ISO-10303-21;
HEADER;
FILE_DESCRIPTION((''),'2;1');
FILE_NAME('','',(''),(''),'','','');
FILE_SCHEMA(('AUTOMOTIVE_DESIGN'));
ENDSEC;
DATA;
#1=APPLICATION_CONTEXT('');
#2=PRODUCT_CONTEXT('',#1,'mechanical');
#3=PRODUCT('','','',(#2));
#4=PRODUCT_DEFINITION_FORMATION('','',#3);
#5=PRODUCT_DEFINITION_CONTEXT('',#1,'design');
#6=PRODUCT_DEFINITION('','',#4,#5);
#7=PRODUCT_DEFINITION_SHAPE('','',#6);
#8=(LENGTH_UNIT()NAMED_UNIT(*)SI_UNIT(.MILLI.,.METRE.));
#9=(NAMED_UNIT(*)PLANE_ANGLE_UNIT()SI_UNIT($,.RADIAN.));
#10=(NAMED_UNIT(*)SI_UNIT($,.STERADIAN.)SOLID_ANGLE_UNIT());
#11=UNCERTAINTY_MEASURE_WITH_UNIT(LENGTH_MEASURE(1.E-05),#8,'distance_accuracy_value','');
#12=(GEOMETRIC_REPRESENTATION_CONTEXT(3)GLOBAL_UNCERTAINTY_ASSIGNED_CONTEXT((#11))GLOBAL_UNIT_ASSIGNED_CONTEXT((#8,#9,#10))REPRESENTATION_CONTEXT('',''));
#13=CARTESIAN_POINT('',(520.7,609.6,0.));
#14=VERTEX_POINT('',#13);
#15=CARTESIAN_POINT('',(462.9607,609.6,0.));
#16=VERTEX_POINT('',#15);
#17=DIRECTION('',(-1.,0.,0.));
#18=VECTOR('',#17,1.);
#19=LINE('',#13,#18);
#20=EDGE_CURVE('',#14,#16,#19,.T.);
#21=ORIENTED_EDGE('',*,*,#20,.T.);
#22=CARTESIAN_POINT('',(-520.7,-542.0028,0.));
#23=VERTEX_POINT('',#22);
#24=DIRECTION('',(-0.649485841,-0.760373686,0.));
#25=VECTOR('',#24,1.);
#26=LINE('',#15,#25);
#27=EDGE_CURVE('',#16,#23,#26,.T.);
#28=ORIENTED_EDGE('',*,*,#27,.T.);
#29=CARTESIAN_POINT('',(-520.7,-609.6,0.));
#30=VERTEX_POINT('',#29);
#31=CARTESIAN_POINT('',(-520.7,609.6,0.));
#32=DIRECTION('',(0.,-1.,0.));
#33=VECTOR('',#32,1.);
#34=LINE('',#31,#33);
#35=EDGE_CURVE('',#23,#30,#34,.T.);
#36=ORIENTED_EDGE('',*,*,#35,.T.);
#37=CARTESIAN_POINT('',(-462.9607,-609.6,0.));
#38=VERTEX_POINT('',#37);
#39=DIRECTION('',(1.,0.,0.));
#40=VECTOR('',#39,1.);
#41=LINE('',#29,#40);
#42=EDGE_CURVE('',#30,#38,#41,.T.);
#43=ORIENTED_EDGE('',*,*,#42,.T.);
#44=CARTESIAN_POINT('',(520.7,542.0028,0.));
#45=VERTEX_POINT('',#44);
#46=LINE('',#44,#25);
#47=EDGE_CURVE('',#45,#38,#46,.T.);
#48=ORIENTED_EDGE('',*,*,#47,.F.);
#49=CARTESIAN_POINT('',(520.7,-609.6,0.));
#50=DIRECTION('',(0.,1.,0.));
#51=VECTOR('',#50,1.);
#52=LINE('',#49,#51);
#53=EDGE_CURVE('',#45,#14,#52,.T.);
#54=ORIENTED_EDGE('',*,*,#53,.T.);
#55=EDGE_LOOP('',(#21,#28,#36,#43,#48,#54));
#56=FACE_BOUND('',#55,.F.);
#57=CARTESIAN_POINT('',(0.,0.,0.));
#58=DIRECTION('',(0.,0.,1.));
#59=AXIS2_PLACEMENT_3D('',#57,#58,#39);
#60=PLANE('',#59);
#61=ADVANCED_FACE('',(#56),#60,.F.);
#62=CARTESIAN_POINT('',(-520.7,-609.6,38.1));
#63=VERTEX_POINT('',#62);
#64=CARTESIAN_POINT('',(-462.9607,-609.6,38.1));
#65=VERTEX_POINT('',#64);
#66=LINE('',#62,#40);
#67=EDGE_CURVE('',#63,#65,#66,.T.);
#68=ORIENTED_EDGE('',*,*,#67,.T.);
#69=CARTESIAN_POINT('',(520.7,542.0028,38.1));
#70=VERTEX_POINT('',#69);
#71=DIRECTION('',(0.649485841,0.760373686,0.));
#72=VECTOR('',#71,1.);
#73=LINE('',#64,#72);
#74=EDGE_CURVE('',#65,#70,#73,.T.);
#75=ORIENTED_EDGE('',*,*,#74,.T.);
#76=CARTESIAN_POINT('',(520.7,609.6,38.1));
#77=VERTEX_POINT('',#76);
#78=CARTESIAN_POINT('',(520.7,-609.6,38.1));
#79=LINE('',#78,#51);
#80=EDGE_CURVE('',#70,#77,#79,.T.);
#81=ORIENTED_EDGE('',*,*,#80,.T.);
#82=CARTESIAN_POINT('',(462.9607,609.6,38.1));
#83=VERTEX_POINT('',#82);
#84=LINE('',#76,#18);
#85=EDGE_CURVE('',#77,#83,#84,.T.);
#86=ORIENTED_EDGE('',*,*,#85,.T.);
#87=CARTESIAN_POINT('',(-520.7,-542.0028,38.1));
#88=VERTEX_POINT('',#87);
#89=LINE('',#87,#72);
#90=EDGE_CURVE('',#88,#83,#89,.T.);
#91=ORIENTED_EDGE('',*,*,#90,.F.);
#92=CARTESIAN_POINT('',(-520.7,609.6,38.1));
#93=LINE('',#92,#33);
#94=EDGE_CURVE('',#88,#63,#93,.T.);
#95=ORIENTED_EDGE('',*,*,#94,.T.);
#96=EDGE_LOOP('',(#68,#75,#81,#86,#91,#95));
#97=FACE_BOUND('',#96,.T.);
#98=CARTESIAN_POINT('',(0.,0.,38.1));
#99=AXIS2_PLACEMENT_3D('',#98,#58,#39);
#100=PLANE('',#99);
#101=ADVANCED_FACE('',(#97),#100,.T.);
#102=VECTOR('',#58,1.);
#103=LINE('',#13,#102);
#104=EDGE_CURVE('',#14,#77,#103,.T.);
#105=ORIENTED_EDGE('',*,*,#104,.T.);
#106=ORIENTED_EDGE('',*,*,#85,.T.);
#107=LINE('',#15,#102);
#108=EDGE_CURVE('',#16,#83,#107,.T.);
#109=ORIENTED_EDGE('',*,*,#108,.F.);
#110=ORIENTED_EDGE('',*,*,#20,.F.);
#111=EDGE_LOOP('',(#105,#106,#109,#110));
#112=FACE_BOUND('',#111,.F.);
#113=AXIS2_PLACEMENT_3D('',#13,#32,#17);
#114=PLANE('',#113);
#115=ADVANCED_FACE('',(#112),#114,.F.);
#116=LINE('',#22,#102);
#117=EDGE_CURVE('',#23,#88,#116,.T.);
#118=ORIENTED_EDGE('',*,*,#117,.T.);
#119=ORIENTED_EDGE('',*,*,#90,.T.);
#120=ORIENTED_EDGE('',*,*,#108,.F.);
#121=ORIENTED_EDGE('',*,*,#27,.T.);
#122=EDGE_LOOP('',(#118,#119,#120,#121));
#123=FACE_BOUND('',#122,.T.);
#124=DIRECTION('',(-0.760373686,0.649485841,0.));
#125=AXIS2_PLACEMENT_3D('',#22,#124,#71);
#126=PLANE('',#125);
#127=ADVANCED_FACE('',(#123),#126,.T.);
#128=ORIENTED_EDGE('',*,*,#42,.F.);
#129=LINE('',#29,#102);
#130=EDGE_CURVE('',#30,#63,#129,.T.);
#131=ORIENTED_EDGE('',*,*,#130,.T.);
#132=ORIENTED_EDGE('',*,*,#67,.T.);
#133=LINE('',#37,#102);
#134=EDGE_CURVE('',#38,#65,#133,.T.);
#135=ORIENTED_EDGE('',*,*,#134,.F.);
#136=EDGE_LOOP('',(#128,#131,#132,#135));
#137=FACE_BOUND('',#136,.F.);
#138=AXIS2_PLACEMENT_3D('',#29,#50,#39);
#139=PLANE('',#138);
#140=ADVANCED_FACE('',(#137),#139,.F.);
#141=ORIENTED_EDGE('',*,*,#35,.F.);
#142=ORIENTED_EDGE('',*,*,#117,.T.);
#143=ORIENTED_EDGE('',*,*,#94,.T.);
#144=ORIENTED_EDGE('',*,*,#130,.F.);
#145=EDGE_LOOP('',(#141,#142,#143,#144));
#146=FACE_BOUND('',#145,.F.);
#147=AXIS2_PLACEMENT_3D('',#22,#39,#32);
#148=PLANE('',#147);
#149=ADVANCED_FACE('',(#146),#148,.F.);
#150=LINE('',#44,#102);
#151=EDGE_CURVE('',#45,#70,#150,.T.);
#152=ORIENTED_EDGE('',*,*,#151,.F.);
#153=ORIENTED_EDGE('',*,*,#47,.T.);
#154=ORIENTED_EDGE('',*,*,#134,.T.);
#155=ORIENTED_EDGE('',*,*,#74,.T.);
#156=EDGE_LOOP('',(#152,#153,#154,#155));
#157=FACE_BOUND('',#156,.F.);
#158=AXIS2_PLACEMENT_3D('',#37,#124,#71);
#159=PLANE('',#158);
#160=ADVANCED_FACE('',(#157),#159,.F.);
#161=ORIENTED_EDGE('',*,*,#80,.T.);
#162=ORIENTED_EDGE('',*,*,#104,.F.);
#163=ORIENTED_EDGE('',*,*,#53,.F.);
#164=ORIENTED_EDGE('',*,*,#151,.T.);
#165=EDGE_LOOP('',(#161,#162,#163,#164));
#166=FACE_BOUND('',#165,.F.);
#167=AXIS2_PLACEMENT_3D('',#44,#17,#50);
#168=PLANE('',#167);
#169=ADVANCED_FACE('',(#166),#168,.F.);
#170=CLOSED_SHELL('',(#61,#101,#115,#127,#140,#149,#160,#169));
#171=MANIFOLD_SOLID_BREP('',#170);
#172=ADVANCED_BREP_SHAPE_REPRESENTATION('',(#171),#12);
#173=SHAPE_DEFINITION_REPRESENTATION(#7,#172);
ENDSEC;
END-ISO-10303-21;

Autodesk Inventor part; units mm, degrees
ref_plane "YZ Plane" through (0, 0, 0) normal (1, 0, 0) x (0, 1, 0)
ref_plane "XZ Plane" through (0, 0, 0) normal (0, 1, 0) x (-1, 0, 0)
ref_plane "XY Plane" through (0, 0, 0) normal (0, 0, 1) x (1, 0, 0)
sketch "Sketch1" plane through (0, 0, 0) normal (0, 0, 1) x (1, 0, 0)
  line L0 (-520.7, -609.6) -> (520.7, -609.6)
  line L1 (520.7, -609.6) -> (520.7, 609.6)
  line L2 (520.7, 609.6) -> (-520.7, 609.6)
  line L3 (-520.7, 609.6) -> (-520.7, -609.6)
  line L4 (-520.7, -609.6) -> (520.7, 609.6) construction
  line L5 (520.7, -609.6) -> (-520.7, 609.6) construction
  line L6 (28.8696, -33.7986) -> (-28.8696, 33.7986)
  line L7 (-520.7, -542.0028) -> (462.9607, 609.6)
  line L8 (-462.9607, -609.6) -> (520.7, 542.0028)
  point P0 (0, 0)
  dimension "d0" = 1219.2
  dimension "d1" = 1041.4
  dimension "d3" = 88.9
extrude "Extrusion1" add sketch "Sketch1" along normal blind 38.1 contours L3 L7 L6 L8 L0 | L6 L7 L2 L1 L8
properties part number "S_2x4x63.127"
